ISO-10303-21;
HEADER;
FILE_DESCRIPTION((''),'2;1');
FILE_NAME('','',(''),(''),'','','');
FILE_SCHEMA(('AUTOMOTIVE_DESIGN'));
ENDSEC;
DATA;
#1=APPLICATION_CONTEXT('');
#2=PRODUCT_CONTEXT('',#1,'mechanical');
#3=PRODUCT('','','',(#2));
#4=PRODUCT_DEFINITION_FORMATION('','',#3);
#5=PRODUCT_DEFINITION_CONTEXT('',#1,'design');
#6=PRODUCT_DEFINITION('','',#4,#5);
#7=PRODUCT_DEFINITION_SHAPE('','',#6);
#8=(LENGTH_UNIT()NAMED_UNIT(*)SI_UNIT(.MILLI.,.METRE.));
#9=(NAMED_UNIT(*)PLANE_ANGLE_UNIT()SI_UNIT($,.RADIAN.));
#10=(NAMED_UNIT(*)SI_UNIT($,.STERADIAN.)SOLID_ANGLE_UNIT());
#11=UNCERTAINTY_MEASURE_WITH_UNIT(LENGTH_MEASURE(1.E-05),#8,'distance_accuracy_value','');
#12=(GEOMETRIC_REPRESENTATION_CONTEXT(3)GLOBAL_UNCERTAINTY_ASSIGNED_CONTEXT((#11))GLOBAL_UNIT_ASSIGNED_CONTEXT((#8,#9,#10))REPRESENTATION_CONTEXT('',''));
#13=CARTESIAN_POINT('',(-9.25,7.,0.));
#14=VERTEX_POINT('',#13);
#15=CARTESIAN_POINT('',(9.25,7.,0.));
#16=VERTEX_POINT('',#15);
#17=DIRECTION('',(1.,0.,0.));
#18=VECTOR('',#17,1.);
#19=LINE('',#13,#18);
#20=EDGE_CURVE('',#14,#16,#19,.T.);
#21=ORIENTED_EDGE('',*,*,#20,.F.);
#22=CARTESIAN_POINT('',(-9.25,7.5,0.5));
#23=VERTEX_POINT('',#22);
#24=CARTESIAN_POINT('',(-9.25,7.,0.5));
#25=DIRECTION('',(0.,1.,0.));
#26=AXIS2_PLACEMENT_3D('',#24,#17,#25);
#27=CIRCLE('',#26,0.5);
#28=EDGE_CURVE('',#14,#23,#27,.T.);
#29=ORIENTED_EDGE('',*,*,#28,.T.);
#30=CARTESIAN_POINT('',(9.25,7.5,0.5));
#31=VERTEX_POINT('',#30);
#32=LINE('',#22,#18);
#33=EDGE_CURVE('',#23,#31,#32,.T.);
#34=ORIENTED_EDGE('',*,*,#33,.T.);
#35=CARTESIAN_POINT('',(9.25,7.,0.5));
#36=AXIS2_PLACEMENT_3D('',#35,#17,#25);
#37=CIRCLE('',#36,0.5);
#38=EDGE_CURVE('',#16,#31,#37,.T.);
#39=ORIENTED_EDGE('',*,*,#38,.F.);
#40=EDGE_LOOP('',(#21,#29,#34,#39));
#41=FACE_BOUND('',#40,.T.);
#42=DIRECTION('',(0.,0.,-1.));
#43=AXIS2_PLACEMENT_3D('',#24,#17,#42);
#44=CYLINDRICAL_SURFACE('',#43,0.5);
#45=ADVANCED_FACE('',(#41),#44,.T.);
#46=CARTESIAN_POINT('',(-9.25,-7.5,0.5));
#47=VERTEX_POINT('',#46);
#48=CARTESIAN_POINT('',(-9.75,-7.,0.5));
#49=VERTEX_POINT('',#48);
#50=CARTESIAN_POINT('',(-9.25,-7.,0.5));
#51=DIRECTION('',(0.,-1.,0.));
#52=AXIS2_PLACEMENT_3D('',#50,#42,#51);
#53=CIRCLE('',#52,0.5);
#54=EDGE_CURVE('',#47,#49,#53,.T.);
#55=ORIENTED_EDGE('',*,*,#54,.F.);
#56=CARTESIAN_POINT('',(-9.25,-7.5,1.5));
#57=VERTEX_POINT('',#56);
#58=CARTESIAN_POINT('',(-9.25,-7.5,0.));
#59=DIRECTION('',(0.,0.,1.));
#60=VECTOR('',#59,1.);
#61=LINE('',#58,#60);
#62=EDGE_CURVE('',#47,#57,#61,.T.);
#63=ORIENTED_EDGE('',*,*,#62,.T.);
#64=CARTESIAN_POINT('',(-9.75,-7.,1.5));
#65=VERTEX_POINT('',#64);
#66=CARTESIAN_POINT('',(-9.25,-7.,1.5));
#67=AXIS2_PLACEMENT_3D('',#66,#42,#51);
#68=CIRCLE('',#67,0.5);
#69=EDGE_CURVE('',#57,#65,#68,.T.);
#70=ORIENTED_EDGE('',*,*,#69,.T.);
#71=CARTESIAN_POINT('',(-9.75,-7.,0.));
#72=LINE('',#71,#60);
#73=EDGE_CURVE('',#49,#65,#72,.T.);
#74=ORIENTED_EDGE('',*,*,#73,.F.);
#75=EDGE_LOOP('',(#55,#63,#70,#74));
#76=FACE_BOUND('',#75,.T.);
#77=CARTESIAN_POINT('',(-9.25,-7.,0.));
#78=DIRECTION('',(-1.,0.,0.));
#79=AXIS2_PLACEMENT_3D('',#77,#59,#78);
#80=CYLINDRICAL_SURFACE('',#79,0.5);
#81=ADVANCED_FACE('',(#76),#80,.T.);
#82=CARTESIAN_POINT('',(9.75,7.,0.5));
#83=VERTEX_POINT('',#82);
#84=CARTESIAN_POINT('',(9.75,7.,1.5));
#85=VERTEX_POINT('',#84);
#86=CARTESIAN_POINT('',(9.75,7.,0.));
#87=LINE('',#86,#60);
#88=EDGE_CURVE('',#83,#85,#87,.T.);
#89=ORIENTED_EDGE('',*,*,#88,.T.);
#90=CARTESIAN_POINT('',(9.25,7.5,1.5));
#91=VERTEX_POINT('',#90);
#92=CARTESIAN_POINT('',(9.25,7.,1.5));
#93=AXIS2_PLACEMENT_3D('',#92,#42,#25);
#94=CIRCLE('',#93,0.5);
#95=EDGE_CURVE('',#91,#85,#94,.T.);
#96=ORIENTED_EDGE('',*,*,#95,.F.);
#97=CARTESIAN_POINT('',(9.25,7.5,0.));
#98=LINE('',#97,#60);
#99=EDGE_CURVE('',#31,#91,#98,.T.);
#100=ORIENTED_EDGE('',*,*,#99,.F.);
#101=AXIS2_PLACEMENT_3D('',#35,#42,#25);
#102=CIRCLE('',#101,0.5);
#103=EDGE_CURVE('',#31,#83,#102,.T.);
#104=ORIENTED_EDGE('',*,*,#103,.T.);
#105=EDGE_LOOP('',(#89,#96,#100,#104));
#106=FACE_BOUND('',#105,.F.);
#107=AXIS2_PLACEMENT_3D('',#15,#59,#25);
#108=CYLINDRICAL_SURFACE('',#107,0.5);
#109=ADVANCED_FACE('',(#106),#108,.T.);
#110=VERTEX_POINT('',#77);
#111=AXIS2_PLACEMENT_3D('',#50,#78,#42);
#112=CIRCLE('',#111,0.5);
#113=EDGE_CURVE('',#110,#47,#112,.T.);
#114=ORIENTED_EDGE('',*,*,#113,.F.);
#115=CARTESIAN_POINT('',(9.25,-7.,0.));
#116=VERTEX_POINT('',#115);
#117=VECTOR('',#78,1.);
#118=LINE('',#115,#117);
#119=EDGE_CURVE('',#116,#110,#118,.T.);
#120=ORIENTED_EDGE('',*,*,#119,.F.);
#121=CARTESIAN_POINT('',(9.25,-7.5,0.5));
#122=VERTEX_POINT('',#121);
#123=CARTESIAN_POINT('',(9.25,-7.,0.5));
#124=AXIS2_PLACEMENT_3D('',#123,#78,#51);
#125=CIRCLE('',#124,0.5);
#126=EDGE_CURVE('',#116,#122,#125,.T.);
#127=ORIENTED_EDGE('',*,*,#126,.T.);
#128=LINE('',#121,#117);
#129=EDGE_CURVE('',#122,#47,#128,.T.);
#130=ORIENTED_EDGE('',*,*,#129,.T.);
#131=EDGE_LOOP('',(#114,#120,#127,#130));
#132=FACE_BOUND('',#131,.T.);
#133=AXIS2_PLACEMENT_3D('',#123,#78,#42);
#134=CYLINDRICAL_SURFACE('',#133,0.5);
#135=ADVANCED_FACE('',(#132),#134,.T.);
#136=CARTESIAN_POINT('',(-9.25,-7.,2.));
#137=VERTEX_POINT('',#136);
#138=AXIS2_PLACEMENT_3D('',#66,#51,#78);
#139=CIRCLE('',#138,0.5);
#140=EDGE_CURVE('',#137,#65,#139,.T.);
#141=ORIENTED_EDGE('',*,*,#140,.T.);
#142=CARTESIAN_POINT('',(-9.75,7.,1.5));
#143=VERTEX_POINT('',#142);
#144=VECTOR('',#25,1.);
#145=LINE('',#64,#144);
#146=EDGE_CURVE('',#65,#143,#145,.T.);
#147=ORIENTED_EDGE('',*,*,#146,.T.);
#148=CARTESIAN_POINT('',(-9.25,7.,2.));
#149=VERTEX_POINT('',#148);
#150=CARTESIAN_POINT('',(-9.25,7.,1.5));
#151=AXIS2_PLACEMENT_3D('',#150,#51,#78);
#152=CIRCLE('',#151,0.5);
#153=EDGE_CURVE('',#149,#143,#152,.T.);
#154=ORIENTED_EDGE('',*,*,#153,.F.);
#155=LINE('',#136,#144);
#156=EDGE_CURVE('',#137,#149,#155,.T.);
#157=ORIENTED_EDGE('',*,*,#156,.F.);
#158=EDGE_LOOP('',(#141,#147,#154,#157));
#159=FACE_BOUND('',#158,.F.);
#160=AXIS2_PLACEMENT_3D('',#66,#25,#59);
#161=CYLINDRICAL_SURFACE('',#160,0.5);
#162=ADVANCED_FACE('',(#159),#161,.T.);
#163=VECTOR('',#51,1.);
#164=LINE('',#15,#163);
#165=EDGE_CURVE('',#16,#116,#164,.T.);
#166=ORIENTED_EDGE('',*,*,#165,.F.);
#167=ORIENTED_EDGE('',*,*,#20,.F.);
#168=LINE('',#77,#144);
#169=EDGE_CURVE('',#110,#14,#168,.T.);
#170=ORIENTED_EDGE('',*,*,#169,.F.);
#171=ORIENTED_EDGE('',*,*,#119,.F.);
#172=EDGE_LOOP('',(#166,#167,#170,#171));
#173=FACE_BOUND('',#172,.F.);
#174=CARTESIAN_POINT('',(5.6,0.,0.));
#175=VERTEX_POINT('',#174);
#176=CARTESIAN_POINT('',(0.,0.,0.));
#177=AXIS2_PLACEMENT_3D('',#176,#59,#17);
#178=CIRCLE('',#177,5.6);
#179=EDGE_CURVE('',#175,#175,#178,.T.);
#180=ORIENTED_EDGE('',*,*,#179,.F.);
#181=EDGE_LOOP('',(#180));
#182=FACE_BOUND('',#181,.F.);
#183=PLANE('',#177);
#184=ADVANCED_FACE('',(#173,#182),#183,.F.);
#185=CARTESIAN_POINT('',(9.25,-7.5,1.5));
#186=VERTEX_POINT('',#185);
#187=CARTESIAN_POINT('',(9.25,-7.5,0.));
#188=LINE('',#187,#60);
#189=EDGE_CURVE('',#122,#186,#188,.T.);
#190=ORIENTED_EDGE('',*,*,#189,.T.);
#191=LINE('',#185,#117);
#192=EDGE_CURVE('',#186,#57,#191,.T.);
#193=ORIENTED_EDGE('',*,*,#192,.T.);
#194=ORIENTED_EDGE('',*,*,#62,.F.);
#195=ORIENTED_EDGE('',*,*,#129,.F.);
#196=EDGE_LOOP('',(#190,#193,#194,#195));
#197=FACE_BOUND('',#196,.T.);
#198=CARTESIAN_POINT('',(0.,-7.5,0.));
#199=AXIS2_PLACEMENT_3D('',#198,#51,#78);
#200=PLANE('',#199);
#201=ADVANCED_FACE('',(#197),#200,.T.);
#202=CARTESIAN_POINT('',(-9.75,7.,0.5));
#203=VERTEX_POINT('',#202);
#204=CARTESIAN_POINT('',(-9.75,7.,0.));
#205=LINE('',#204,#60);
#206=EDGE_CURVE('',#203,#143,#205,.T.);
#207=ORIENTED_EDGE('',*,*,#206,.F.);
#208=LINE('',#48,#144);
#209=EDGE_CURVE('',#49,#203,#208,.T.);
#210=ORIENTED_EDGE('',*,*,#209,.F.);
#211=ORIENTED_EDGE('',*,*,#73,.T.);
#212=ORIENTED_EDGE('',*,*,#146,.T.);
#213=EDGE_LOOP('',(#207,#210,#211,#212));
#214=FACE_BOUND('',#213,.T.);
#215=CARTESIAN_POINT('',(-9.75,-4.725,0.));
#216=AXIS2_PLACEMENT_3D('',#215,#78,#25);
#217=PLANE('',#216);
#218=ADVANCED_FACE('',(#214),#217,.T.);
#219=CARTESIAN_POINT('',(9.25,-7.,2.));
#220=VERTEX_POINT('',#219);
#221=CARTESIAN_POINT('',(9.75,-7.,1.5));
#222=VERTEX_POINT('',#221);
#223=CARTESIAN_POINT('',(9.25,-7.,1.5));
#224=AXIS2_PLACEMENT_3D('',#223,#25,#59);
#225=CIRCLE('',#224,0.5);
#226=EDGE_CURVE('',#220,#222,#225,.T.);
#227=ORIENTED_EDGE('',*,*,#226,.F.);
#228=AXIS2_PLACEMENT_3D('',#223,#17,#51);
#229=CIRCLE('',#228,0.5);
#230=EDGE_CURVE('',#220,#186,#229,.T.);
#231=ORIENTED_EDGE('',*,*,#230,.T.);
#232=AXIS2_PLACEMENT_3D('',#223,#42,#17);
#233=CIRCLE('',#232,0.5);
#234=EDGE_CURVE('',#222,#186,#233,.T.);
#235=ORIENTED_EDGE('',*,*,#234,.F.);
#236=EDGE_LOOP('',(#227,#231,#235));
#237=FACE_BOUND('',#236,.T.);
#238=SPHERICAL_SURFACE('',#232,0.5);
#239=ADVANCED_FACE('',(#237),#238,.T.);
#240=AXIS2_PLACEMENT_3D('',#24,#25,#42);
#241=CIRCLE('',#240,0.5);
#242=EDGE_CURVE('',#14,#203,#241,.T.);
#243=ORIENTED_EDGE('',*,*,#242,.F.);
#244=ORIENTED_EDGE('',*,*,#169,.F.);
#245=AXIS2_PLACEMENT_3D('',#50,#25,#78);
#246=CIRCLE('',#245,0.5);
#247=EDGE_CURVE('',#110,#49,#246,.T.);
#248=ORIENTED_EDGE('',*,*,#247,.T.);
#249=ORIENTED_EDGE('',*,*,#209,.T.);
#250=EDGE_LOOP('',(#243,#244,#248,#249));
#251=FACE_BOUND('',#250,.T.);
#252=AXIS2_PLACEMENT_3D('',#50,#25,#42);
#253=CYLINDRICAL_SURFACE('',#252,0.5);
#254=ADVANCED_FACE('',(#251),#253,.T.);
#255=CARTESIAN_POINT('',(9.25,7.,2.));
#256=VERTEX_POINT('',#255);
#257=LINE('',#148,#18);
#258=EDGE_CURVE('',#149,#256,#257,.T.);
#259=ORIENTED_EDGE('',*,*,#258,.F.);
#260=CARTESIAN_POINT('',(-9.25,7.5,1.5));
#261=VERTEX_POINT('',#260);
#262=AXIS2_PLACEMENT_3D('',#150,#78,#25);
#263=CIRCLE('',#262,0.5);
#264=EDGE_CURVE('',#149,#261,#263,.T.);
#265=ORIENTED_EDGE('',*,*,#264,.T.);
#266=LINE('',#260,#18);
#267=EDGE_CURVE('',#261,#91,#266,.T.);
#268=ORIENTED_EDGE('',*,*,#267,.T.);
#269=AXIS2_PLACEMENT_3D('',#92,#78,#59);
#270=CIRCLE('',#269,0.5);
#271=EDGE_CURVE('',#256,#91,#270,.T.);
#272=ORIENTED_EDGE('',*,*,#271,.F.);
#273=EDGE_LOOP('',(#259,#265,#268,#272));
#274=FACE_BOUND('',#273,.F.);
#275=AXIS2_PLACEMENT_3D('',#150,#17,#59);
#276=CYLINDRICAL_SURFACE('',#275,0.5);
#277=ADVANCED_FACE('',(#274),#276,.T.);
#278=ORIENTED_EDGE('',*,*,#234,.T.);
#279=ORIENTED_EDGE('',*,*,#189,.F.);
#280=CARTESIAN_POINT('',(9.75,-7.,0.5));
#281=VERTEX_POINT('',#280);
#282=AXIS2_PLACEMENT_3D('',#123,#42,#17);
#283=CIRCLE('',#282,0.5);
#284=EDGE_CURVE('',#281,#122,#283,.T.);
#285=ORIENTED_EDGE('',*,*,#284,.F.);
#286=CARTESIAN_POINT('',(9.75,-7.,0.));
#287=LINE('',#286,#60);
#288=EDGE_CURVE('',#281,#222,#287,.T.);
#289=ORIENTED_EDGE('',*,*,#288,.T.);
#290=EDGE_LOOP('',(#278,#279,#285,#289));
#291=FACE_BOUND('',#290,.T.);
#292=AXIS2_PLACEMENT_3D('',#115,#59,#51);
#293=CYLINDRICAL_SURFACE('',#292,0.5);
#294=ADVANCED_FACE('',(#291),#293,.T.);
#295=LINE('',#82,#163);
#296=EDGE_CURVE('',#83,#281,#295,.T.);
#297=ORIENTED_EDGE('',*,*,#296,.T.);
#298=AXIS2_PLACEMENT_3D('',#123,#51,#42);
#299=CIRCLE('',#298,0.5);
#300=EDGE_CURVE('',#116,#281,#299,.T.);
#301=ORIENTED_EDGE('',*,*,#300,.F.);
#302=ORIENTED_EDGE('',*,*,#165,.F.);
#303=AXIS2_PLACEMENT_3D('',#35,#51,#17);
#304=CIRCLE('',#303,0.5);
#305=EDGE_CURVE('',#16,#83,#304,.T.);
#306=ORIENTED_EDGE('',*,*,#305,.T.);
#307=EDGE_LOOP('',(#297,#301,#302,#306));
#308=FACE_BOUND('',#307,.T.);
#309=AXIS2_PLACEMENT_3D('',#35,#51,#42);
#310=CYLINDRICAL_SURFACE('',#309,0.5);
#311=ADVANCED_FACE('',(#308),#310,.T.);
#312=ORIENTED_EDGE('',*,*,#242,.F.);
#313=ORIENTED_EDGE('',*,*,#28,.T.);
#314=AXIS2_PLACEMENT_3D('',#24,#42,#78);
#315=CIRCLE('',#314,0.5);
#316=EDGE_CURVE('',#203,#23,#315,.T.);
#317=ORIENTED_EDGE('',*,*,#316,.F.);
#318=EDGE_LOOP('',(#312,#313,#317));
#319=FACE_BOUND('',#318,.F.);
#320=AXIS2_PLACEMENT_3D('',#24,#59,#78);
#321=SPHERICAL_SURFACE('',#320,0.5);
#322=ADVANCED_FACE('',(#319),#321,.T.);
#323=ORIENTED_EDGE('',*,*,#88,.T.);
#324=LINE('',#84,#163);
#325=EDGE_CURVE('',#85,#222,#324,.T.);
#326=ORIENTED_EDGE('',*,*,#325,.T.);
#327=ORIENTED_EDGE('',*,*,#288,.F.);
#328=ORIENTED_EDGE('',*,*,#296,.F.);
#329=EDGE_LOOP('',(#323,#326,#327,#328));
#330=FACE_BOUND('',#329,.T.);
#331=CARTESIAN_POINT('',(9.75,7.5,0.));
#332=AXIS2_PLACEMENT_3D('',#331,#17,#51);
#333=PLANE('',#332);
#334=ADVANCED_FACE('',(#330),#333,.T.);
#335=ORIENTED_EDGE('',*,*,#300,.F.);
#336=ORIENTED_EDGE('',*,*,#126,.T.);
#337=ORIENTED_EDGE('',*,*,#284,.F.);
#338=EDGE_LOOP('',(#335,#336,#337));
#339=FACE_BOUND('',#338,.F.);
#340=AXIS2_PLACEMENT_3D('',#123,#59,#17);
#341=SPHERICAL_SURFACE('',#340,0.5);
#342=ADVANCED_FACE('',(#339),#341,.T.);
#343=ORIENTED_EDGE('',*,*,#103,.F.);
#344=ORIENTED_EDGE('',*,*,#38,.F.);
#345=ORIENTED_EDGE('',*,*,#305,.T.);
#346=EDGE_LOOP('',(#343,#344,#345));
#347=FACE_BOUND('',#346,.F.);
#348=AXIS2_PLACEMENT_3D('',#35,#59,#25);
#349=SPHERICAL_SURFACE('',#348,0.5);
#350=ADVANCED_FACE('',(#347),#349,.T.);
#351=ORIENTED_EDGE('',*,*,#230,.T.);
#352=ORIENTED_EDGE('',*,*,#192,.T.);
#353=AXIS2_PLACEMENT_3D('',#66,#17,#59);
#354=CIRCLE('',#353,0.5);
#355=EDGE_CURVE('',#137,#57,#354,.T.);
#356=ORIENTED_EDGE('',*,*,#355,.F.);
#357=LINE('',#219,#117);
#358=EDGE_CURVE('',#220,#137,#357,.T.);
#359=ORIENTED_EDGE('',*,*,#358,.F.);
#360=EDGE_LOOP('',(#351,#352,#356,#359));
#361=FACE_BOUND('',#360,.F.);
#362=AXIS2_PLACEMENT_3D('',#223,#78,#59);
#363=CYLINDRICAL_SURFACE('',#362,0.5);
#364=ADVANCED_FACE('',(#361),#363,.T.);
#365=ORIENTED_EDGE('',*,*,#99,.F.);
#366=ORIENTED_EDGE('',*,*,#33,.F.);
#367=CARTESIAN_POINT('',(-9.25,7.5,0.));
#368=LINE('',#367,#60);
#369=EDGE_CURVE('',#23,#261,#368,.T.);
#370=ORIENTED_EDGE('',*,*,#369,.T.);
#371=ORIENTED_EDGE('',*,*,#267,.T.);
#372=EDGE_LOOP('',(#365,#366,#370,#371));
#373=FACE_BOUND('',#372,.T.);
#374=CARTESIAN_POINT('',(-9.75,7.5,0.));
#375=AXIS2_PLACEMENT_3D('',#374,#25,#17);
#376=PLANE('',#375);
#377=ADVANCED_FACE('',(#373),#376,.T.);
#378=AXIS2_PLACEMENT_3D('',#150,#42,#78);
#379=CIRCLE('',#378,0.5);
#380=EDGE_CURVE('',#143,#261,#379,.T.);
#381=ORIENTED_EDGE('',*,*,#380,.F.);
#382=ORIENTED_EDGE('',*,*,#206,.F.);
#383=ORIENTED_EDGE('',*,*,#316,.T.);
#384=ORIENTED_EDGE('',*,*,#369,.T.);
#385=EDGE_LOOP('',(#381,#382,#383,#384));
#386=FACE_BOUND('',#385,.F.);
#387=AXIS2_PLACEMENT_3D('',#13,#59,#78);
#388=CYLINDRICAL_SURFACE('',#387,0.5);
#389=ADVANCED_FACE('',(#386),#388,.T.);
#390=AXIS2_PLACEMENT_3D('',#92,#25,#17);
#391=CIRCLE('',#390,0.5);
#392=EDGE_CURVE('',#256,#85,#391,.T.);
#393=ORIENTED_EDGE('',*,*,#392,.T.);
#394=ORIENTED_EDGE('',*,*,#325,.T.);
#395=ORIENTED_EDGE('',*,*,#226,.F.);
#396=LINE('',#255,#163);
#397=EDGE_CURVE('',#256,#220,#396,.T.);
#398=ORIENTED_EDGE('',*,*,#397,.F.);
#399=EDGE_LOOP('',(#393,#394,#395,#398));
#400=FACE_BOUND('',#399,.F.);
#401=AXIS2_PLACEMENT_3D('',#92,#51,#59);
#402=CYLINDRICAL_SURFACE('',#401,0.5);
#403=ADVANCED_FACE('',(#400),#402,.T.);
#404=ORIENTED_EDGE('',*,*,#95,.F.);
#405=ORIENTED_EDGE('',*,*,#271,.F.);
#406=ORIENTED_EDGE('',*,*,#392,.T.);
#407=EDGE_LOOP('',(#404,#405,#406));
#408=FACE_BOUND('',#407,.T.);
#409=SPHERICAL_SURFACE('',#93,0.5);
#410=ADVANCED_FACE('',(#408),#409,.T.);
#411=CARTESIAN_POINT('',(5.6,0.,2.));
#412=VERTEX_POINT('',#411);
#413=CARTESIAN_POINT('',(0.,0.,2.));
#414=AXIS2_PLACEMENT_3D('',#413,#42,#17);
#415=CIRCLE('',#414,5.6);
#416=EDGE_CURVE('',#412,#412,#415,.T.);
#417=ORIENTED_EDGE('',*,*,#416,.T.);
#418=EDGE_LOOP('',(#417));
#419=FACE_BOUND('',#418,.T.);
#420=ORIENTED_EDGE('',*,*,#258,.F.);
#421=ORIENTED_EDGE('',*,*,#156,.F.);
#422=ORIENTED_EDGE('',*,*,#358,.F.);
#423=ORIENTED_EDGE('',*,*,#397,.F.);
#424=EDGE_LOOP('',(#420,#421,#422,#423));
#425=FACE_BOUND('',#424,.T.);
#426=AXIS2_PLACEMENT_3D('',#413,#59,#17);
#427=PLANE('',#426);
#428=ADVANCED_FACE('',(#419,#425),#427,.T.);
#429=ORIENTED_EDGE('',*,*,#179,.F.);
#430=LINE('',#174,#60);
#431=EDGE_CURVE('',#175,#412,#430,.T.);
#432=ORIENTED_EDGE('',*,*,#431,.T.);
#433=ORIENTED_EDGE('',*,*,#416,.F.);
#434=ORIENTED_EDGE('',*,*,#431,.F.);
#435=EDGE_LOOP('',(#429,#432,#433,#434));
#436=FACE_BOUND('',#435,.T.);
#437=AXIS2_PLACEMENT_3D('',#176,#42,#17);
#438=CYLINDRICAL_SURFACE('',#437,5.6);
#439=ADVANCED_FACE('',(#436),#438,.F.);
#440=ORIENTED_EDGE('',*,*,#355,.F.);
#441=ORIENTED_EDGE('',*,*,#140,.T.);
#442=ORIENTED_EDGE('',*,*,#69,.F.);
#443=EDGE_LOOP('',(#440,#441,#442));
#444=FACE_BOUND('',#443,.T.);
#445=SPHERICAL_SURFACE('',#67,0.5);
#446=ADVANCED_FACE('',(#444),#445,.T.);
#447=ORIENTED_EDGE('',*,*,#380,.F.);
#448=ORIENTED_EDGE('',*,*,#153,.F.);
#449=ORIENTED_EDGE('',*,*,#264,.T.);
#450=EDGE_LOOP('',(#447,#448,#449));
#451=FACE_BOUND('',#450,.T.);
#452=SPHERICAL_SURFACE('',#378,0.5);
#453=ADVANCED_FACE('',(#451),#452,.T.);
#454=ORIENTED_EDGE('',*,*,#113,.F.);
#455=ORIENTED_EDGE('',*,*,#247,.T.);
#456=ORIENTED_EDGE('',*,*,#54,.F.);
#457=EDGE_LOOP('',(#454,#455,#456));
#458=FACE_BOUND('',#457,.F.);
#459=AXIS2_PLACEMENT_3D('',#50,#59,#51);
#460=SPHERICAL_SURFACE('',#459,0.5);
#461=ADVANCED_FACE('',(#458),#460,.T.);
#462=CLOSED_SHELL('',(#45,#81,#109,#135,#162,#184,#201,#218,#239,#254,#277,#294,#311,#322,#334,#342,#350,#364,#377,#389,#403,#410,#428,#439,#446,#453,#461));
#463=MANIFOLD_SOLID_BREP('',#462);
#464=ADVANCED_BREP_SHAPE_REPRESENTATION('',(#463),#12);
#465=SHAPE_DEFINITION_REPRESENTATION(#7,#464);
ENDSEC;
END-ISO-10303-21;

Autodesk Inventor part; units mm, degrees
ref_plane "YZ Plane" through (0, 0, 0) normal (1, 0, 0) x (0, 1, 0)
ref_plane "XZ Plane" through (0, 0, 0) normal (0, 1, 0) x (-1, 0, 0)
ref_plane "XY Plane" through (0, 0, 0) normal (0, 0, 1) x (1, 0, 0)
sketch "Sketch1" plane through (0, 0, 0) normal (0, 0, 1) x (1, 0, 0)
  line L0 (-9.75, -4.725) -> (-9.75, 4.725) projected
  line L1 (9.75, 4.725) -> (9.75, -4.725) projected
  circle A0 centre (0, 0) radius 5.6
  line L2 (0, 0) -> (0, 7.5)
  line L3 (0, 0) -> (0, -7.5)
  line L4 (-9.75, 7.5) -> (9.75, 7.5)
  line L5 (9.75, 7.5) -> (9.75, -7.5)
  line L6 (9.75, -7.5) -> (-9.75, -7.5)
  line L7 (-9.75, -7.5) -> (-9.75, 7.5)
  point P0 (0, 0)
  dimension "d0" = 11.2
  dimension "d5" = 7.5
  dimension "d6" = 7.5
extrude "Extrusion1" add sketch "Sketch1" along normal blind 2 contours L0 L7 L4 L2 A0 L3 L6 | L3 A0 L2 L4 L5 L1 L6
fillet "Fillet1" radius 0.5 4 edges at (9.75, 7.5, 1) (-9.75, 7.5, 1) (-9.75, -7.5, 1) (9.75, -7.5, 1)
fillet "Fillet2" radius 0.5 16 edges at (-9.6036, 7.3536, 2) (-9.75, 0, 2) (-9.6036, -7.3536, 2) (0, -7.5, 2) (9.6036, -7.3536, 2) (9.75, 0, 2) (9.6036, 7.3536, 2) (0, 7.5, 2) (9.6036, 7.3536, 0) (9.75, 0, 0) (9.6036, -7.3536, 0) (0, -7.5, 0) (-9.6036, -7.3536, 0) (-9.75, 0, 0) (-9.6036, 7.3536, 0) (0, 7.5, 0)
properties part number "SyringeAttachment"
